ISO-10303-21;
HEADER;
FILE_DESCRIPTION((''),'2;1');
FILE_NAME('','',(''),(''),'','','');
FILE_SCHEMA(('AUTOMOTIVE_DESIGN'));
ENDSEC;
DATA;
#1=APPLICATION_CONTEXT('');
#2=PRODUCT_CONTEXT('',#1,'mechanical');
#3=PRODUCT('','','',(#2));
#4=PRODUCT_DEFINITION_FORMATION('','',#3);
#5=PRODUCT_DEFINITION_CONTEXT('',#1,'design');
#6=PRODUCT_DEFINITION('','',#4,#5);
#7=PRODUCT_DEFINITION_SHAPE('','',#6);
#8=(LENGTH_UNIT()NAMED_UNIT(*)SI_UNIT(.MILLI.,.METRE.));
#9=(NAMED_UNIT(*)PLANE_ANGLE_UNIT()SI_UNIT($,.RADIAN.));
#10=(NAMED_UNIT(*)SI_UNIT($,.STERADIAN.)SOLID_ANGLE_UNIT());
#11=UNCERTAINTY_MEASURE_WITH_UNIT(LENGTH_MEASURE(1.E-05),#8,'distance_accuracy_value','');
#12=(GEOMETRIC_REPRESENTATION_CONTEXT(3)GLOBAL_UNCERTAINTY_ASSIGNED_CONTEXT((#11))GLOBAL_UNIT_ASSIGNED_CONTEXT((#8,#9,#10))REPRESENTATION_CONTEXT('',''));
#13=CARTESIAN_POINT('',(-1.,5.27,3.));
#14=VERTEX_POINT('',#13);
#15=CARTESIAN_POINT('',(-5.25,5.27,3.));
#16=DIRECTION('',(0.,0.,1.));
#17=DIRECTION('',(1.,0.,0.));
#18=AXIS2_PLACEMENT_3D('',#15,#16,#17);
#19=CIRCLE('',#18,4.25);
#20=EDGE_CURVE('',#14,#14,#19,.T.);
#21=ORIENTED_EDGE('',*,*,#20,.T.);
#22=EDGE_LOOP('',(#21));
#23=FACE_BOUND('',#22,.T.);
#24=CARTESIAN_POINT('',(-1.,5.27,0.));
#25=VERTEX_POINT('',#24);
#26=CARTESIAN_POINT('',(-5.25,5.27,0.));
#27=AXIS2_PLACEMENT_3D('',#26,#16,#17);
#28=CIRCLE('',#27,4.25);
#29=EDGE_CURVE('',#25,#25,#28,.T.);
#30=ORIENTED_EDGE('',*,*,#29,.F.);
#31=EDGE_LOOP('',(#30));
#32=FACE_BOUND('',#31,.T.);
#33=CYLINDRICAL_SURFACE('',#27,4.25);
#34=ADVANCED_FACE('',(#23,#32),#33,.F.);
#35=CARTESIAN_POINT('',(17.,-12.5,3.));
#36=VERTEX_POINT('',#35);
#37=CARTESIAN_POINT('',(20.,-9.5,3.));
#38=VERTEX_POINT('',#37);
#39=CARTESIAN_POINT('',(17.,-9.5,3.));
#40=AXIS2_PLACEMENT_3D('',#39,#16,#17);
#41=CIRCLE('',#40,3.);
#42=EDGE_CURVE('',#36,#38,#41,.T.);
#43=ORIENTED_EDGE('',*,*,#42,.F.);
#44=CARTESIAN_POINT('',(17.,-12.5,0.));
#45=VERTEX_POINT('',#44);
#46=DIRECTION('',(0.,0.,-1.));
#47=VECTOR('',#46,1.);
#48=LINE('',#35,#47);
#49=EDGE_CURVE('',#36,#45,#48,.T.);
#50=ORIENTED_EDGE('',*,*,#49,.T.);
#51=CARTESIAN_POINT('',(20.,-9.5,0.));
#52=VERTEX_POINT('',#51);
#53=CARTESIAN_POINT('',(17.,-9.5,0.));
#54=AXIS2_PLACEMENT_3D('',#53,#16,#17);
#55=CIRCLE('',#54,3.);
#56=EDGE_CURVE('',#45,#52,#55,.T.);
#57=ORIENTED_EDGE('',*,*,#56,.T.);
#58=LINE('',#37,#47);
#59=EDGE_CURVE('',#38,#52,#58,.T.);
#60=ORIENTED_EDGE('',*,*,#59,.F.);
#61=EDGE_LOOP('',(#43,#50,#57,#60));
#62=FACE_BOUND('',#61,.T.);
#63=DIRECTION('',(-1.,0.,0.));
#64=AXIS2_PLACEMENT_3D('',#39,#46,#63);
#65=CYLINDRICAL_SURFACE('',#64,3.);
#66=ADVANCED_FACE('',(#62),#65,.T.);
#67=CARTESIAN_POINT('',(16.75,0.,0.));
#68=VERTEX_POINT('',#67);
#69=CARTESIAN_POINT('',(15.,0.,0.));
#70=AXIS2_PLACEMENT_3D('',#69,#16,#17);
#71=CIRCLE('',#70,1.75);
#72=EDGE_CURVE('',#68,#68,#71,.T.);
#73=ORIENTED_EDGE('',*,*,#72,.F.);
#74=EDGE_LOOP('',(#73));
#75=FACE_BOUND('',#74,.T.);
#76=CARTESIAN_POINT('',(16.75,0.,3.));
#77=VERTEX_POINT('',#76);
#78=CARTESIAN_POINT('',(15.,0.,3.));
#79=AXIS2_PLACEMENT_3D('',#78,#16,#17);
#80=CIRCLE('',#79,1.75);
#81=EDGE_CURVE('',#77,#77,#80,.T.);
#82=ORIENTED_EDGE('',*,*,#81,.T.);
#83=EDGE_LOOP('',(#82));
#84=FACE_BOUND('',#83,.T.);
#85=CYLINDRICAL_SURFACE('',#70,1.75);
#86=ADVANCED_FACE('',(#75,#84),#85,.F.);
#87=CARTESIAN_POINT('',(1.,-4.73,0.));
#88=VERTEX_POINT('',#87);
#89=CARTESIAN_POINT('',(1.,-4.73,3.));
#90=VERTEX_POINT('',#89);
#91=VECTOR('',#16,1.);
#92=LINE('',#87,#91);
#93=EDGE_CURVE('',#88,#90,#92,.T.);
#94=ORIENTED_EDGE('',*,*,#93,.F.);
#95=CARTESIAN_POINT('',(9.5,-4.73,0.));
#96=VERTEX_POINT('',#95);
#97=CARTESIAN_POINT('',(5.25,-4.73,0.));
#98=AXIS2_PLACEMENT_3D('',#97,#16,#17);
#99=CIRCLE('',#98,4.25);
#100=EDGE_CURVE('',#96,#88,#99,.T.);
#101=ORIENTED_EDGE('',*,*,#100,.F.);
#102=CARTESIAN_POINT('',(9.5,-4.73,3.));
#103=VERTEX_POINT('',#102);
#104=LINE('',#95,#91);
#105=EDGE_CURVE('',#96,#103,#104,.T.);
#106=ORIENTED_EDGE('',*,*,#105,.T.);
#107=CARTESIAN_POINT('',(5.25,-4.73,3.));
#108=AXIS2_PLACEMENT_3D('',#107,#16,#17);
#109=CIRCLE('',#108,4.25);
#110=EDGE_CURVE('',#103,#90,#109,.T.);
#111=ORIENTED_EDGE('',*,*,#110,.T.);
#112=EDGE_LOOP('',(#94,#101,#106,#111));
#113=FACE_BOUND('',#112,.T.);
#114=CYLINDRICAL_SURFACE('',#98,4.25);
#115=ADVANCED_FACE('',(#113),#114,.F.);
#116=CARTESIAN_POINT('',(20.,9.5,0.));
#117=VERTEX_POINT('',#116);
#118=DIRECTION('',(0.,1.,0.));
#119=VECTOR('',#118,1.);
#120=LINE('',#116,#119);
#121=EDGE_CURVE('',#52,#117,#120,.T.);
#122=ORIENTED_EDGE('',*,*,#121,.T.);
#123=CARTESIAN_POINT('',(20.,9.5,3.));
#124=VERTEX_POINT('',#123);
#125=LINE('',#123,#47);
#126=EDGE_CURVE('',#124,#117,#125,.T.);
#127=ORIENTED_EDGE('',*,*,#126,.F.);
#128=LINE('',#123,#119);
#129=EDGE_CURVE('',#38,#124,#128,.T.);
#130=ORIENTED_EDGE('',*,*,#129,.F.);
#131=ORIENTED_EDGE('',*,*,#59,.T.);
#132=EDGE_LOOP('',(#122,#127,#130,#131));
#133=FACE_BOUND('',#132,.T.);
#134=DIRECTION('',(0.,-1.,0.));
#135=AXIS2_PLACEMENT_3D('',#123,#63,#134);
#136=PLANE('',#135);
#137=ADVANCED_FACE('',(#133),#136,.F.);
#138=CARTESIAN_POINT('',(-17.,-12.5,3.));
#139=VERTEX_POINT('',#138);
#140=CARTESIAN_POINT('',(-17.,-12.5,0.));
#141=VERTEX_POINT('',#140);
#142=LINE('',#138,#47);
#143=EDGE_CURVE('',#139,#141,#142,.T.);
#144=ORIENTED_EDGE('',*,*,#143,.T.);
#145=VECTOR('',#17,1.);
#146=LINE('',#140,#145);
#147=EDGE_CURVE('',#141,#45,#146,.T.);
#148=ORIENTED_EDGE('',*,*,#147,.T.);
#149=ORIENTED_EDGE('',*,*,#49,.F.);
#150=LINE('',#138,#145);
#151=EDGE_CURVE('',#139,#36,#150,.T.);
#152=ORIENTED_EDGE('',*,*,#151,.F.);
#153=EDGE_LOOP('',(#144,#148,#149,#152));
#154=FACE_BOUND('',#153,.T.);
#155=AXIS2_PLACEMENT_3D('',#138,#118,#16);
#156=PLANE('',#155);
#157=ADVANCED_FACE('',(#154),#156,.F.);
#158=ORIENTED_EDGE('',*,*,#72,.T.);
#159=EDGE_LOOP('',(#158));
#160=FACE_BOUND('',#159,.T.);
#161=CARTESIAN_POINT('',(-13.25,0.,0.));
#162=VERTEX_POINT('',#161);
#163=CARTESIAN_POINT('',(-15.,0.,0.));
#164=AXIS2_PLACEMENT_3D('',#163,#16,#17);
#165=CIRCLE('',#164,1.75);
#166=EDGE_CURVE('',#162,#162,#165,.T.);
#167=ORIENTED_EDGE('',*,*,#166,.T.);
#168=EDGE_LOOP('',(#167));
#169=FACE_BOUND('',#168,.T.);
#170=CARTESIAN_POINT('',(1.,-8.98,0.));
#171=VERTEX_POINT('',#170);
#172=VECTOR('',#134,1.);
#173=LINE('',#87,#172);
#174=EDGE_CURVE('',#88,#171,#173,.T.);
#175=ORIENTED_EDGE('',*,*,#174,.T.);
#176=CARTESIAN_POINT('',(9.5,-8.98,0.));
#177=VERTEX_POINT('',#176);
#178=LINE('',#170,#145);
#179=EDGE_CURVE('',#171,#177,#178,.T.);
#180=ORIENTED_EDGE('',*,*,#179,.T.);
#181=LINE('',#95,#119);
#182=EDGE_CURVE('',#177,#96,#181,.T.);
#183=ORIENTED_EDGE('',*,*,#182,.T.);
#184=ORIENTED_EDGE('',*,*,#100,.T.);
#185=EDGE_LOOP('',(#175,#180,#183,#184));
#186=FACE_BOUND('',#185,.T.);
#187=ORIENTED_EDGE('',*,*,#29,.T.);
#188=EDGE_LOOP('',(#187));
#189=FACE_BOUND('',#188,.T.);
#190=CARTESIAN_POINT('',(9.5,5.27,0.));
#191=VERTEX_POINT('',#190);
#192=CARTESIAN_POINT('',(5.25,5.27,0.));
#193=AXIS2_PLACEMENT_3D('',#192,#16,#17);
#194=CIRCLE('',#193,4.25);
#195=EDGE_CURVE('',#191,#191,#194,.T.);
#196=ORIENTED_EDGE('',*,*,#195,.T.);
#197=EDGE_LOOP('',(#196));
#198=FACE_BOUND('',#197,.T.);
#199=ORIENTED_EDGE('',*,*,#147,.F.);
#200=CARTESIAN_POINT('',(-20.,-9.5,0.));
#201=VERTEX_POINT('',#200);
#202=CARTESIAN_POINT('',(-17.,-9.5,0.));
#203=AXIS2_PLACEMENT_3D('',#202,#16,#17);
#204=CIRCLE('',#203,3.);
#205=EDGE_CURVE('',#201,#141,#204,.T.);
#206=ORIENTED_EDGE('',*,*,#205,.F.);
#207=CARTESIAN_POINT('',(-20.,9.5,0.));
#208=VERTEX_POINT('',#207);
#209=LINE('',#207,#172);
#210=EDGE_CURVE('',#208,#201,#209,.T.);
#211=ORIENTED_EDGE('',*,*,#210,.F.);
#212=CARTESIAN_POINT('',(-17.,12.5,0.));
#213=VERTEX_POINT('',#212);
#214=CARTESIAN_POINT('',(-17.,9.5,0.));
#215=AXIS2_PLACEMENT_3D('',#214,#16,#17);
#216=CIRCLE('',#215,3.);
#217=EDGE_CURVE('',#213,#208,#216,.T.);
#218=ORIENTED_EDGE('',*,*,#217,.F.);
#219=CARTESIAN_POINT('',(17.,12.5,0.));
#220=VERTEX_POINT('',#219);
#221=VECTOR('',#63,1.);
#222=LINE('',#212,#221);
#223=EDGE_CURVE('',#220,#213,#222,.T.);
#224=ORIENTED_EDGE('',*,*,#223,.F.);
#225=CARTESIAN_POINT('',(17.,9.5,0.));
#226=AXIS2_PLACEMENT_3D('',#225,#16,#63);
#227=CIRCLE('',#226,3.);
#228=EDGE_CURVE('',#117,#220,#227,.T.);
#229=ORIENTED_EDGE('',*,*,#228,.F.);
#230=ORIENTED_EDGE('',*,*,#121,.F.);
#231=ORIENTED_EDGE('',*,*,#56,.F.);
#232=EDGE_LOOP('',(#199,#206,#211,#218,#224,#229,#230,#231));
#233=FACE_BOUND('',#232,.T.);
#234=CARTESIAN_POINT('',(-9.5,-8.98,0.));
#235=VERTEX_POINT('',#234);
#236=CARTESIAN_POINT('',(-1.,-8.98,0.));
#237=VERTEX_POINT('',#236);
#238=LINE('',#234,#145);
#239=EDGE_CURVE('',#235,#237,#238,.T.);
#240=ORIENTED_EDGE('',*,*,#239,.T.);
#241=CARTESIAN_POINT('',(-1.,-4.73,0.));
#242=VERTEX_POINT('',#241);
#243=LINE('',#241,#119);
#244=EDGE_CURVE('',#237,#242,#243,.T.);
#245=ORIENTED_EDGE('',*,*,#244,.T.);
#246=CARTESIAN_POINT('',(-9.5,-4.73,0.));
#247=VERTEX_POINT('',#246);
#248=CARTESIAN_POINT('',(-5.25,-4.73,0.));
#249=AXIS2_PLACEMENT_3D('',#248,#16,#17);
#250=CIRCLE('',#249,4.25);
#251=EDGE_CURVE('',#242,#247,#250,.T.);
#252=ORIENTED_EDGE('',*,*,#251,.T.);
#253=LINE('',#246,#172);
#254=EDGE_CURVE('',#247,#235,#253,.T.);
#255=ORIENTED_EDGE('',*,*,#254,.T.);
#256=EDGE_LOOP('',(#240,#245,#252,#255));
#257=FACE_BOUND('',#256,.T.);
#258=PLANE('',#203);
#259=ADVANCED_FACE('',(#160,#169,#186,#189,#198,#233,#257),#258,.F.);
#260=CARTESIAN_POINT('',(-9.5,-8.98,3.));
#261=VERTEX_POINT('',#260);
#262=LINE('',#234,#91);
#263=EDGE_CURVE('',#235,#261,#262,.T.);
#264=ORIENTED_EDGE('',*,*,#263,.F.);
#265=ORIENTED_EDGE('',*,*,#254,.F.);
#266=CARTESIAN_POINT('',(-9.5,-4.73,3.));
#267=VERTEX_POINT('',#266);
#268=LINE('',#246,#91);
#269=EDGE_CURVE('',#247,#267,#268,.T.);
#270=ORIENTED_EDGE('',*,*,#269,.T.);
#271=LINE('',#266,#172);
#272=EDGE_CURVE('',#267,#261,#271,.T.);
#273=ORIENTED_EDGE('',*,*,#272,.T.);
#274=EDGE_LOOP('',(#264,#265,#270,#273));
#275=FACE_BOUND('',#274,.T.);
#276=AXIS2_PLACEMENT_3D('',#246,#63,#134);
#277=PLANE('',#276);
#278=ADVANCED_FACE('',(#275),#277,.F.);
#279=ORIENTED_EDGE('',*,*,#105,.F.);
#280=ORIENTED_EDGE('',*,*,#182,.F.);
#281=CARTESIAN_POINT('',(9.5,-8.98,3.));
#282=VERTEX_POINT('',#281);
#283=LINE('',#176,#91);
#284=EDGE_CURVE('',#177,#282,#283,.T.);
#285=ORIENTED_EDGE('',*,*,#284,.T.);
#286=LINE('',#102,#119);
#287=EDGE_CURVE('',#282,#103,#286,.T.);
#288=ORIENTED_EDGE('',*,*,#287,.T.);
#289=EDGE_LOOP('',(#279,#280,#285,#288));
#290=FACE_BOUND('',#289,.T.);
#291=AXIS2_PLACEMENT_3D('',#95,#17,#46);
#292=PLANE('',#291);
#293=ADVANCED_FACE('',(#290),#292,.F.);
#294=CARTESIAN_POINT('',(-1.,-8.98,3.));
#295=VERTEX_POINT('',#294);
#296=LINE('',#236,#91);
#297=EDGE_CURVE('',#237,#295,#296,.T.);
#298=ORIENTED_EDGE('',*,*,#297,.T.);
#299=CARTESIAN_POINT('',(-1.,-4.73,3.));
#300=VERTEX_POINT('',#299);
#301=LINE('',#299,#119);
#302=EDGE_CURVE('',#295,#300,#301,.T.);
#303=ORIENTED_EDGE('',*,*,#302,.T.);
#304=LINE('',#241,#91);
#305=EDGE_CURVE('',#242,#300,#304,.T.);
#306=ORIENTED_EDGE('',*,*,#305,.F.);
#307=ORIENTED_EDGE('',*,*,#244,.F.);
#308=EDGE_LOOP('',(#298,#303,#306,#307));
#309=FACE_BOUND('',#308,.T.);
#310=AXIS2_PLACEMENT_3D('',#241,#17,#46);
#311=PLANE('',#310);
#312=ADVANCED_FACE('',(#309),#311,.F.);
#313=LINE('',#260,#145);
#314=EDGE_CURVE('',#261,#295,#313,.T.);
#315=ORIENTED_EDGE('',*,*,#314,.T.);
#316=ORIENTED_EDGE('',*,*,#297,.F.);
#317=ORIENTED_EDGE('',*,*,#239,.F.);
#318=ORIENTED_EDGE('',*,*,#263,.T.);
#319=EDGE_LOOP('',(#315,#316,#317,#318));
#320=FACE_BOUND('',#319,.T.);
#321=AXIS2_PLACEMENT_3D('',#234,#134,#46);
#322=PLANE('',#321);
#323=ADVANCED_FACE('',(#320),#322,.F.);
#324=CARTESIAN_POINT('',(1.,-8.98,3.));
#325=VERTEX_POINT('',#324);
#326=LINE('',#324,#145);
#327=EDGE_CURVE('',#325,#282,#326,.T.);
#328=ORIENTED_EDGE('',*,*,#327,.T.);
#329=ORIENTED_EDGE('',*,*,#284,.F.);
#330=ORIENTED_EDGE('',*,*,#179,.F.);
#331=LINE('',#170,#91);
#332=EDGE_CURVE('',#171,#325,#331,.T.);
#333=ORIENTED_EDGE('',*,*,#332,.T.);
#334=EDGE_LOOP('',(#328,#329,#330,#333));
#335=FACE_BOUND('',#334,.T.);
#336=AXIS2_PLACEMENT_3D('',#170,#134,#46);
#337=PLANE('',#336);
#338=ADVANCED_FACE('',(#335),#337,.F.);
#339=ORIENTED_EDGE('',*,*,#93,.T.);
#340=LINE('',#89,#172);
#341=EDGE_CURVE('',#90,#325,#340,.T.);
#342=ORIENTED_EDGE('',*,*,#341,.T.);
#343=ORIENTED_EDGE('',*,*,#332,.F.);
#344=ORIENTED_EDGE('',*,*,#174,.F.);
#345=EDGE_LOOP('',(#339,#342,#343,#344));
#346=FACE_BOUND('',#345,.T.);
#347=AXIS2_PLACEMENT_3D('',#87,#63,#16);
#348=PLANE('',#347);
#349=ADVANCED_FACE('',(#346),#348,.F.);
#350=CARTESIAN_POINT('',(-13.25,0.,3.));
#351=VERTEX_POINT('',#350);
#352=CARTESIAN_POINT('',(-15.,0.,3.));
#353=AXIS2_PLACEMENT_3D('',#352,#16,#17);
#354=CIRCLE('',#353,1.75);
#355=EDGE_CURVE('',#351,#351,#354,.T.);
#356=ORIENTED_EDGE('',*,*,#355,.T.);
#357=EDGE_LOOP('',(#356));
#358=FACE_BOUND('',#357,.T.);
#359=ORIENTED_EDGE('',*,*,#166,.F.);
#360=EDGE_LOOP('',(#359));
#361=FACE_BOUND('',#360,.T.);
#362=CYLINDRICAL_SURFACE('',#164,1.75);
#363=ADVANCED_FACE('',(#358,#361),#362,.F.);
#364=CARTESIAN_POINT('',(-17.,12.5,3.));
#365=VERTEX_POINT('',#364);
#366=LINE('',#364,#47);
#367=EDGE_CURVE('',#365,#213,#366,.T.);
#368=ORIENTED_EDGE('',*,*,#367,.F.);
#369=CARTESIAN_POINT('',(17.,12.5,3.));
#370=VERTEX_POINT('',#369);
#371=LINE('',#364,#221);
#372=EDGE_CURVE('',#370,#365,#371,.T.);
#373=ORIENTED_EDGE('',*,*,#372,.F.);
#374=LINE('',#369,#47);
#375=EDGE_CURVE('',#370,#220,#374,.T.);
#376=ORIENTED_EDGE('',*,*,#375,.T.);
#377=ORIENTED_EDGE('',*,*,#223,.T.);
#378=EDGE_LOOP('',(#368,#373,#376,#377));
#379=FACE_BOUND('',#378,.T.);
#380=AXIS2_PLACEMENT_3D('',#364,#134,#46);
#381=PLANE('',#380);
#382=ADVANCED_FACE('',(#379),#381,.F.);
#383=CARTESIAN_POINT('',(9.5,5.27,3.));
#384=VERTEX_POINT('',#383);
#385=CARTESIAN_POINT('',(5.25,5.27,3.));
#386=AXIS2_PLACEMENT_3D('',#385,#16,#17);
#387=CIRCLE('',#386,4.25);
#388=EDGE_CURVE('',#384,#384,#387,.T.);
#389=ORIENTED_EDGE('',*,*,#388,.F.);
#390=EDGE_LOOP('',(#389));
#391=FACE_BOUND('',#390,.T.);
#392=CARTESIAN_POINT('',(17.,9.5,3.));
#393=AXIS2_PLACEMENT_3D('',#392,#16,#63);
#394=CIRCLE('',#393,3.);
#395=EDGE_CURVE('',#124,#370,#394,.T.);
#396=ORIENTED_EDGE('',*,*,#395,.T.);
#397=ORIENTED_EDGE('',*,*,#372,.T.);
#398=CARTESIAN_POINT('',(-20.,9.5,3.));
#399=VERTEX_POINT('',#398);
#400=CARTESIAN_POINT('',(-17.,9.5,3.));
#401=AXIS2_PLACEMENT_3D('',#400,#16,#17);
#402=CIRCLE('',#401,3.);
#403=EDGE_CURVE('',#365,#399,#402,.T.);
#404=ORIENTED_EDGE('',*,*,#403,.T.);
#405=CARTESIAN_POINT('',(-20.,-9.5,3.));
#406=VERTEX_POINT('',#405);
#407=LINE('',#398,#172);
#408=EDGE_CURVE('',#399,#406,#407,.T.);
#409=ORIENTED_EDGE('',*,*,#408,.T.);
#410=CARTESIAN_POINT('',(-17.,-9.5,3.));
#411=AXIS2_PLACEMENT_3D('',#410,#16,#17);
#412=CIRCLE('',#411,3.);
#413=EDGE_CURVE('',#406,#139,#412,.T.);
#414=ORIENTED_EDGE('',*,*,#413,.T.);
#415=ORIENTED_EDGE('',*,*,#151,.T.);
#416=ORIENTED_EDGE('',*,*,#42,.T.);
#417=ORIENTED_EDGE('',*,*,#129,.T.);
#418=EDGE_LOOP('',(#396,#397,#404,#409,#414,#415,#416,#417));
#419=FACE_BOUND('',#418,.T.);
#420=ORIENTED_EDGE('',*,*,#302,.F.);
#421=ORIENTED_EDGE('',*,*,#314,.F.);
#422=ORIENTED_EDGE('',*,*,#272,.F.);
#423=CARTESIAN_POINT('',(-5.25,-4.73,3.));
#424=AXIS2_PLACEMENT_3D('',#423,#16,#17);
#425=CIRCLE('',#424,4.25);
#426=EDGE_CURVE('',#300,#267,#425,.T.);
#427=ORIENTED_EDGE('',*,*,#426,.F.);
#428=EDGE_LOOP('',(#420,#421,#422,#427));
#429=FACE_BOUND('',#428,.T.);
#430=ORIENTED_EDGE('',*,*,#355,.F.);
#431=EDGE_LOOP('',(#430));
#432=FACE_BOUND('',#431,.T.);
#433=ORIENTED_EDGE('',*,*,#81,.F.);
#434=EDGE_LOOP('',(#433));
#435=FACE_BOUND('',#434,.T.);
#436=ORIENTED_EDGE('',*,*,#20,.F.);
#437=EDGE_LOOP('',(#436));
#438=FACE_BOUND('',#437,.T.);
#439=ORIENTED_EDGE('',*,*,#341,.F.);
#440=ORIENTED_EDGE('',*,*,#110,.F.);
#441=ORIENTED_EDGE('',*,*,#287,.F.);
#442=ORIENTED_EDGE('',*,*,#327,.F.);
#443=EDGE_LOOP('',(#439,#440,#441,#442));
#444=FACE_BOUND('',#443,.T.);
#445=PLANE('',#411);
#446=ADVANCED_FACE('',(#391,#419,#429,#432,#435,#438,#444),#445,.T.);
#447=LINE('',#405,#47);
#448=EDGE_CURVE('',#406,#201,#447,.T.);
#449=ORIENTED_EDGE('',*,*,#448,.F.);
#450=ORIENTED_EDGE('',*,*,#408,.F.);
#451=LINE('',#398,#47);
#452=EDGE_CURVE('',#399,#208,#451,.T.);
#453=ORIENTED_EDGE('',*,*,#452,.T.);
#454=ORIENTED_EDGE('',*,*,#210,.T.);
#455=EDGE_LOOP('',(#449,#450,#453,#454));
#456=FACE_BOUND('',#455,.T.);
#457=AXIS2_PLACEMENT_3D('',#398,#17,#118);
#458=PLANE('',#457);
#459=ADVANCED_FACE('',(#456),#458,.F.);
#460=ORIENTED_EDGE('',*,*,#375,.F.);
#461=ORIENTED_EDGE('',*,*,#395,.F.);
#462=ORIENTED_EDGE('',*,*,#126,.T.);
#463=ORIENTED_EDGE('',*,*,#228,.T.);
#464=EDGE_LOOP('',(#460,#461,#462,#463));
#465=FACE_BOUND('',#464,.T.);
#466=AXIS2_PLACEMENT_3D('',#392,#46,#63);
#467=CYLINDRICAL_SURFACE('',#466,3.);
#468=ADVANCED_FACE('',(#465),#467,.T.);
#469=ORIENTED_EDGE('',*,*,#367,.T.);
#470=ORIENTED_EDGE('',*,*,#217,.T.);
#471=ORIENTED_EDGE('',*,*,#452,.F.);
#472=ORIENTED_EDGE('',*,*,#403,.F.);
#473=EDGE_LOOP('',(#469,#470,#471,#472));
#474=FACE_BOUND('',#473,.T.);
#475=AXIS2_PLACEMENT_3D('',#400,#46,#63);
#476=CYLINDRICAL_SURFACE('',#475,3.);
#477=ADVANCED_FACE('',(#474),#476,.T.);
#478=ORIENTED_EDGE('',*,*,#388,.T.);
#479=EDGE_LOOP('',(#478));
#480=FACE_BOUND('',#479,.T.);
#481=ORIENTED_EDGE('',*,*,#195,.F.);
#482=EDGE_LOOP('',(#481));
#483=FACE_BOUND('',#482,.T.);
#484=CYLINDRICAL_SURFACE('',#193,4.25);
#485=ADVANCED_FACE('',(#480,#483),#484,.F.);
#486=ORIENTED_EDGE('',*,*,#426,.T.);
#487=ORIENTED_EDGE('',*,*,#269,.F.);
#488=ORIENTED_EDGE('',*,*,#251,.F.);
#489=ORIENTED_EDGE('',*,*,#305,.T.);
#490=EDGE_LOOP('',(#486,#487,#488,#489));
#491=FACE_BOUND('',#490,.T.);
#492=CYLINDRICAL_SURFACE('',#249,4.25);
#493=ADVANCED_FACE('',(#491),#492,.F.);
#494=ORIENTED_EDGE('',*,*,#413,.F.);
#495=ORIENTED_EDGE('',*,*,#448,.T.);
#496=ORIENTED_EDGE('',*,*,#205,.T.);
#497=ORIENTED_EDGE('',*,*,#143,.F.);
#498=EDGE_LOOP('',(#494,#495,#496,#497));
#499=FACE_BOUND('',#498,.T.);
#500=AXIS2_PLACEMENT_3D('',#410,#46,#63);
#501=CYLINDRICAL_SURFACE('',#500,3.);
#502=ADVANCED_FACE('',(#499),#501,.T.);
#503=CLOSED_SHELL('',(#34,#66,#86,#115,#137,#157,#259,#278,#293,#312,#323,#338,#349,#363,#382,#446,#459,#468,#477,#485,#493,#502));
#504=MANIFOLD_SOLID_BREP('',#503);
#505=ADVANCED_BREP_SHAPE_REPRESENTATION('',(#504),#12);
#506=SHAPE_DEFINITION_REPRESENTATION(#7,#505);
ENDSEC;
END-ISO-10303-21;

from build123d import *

# Parameters (mm, degrees)
BOSS_EXTRUDE1_DEPTH = 3
SKETCH2_R           = 4.25
CUT_EXTRUDE1_DEPTH  = 3
SKETCH3_R           = 1.75
CUT_EXTRUDE2_DEPTH  = 3


with BuildPart() as part:
    # Sketch1 → Boss-Extrude1 (new body)
    with BuildSketch(Plane.XY):
        with BuildLine():
            Line((-17, 12.5), (17, 12.5))
            ThreePointArc((17, 12.5), (19.121320344, 11.621320344), (20, 9.5))
            Line((20, 9.5), (20, -9.5))
            ThreePointArc((20, -9.5), (19.121320344, -11.621320344), (17, -12.5))
            Line((17, -12.5), (-17, -12.5))
            ThreePointArc((-17, -12.5), (-19.121320344, -11.621320344), (-20, -9.5))
            Line((-20, -9.5), (-20, 9.5))
            ThreePointArc((-20, 9.5), (-19.121320344, 11.621320344), (-17, 12.5))
        make_face()
    extrude(amount=BOSS_EXTRUDE1_DEPTH)

    # Sketch2 → Cut-Extrude1 (cut)
    with BuildSketch(Plane.XY.offset(3)):
        with Locations((-5.25, 5.27)):
            Circle(SKETCH2_R)
        with Locations((5.25, 5.27)):
            Circle(SKETCH2_R)
        with BuildLine():
            Line((-9.5, -4.73), (-9.5, -8.98))
            Line((-9.5, -8.98), (-1, -8.98))
            Line((-1, -8.98), (-1, -4.73))
            ThreePointArc((-1, -4.73), (-5.25, -0.48), (-9.5, -4.73))
        make_face()
        with BuildLine():
            Line((1, -4.73), (1, -8.98))
            Line((1, -8.98), (9.5, -8.98))
            Line((9.5, -8.98), (9.5, -4.73))
            ThreePointArc((9.5, -4.73), (5.25, -0.48), (1, -4.73))
        make_face()
    extrude(amount=-CUT_EXTRUDE1_DEPTH, mode=Mode.SUBTRACT)

    # Sketch3 → Cut-Extrude2 (cut)
    with BuildSketch(Plane.XY.offset(3)):
        with Locations((-15, 0)):
            Circle(SKETCH3_R)
        with Locations((15, 0)):
            Circle(SKETCH3_R)
    extrude(amount=-CUT_EXTRUDE2_DEPTH, mode=Mode.SUBTRACT)


solid = part.part
